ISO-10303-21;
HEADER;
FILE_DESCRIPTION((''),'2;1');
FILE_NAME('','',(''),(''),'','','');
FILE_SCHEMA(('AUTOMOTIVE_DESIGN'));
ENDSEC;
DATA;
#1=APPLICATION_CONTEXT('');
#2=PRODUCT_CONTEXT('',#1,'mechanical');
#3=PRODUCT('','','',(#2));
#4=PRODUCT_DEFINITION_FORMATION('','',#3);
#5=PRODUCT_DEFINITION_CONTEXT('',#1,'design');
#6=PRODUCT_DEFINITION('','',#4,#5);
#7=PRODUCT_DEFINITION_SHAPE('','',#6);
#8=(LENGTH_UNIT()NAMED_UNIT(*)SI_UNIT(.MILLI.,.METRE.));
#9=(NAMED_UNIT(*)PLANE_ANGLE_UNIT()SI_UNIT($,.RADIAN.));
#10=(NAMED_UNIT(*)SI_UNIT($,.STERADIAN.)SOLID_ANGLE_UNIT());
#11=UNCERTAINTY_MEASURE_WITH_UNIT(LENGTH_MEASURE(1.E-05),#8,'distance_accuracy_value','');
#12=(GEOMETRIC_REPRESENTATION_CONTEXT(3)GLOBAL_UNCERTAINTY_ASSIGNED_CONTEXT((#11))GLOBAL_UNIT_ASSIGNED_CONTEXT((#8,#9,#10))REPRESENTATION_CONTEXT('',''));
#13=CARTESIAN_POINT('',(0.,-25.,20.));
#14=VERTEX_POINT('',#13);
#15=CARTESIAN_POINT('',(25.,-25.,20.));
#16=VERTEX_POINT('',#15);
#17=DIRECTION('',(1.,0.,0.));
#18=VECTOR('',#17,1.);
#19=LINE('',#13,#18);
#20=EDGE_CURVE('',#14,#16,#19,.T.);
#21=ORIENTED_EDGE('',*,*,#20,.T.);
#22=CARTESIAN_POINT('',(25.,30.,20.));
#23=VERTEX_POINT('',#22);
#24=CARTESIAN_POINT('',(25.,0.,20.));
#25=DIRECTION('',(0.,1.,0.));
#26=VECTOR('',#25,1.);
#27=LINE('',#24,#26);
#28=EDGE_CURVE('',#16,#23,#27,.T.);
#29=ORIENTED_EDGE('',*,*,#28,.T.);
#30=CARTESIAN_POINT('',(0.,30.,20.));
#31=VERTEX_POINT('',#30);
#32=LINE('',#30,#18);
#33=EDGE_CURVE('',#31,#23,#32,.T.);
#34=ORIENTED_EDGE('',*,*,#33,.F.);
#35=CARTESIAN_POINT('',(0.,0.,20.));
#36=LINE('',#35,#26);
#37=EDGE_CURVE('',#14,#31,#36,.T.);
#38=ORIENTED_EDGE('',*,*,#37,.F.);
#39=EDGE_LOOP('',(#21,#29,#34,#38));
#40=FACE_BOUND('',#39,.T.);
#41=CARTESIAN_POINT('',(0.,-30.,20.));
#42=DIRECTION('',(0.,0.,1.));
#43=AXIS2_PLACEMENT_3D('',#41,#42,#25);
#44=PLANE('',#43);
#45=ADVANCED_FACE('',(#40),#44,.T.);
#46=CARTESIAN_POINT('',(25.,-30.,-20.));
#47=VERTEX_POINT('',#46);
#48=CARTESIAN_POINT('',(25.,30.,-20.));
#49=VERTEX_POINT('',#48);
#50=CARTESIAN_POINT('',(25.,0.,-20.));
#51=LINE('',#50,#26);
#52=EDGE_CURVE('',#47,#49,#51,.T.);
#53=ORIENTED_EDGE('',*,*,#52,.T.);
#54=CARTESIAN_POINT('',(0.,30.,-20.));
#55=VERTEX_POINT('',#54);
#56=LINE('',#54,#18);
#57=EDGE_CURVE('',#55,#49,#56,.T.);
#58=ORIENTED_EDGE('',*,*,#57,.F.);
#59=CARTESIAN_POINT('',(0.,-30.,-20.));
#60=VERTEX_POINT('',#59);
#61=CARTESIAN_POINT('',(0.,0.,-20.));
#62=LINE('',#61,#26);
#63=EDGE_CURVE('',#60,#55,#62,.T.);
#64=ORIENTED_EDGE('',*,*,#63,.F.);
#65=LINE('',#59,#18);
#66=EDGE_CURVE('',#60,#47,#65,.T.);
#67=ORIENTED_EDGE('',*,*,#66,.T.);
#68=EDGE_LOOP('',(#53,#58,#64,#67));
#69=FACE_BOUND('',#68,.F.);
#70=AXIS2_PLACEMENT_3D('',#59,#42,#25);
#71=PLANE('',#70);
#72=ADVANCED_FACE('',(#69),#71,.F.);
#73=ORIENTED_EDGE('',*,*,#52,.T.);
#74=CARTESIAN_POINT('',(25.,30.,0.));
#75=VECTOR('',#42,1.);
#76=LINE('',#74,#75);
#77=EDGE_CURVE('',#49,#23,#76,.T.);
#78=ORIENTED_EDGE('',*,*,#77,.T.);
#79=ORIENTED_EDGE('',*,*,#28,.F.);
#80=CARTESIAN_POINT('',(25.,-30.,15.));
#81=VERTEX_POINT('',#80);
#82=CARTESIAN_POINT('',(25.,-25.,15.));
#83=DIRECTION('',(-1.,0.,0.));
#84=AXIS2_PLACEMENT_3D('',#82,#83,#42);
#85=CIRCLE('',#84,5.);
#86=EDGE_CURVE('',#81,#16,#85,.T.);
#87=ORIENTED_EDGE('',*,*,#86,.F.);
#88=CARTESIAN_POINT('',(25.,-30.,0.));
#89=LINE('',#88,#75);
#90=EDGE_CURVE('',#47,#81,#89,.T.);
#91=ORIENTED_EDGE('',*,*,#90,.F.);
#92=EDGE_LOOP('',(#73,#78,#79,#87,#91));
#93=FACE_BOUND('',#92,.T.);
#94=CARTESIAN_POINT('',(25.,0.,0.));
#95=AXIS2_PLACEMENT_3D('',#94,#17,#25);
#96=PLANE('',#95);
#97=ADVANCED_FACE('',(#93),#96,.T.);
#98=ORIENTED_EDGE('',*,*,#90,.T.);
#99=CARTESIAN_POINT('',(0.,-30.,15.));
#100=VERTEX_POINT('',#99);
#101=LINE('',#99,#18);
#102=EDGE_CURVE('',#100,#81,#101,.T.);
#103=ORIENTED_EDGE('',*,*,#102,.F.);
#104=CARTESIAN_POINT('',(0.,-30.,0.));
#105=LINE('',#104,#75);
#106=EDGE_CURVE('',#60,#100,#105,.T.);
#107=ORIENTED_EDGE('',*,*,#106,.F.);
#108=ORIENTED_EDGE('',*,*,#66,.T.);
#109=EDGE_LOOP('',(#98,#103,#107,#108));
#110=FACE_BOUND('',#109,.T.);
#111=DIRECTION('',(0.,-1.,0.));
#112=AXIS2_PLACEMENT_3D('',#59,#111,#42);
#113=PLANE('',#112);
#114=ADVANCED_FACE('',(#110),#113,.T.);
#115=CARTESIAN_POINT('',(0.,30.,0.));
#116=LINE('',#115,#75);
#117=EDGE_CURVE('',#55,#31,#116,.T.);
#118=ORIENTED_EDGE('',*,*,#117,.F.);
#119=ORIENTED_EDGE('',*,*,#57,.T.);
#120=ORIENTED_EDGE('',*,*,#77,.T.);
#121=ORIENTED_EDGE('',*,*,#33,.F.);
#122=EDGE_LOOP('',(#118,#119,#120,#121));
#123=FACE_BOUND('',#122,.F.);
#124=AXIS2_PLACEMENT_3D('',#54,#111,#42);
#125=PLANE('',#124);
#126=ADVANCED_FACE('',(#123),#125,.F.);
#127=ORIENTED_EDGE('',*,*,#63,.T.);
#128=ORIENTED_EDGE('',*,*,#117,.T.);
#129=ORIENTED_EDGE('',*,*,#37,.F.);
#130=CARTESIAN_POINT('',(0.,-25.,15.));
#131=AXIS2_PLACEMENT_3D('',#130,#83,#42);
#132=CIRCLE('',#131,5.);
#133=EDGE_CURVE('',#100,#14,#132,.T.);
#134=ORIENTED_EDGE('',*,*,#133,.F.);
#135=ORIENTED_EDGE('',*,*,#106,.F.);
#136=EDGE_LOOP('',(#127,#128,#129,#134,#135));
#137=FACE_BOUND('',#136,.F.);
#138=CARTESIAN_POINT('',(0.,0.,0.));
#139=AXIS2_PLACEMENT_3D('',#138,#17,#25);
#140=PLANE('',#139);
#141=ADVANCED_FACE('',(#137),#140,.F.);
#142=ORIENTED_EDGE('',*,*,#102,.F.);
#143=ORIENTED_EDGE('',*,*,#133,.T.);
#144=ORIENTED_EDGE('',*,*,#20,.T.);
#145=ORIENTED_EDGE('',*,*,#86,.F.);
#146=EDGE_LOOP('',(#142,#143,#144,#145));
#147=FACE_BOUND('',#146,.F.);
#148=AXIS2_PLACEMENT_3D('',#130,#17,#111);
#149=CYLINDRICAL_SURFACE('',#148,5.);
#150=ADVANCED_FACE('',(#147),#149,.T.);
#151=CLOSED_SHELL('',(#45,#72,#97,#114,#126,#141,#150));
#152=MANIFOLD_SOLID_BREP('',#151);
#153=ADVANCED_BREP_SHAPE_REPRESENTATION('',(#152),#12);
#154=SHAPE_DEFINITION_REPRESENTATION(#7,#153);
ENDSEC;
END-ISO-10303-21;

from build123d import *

# Parameters (mm, degrees)
F0_W     = 60
F0_H     = 40
F1_DEPTH = 25
F2_R     = 5


with BuildPart() as f1:
    # F0 (on Right) → F1 (new body)
    with BuildSketch(Plane.YZ):
        Rectangle(F0_W, F0_H)
    extrude(amount=F1_DEPTH)

    # F2
    f2_edges = [f1.edges().sort_by_distance(p)[0] for p in [
        (12.5, -30, 20),
    ]]
    fillet(f2_edges, radius=F2_R)


solid = f1.part
